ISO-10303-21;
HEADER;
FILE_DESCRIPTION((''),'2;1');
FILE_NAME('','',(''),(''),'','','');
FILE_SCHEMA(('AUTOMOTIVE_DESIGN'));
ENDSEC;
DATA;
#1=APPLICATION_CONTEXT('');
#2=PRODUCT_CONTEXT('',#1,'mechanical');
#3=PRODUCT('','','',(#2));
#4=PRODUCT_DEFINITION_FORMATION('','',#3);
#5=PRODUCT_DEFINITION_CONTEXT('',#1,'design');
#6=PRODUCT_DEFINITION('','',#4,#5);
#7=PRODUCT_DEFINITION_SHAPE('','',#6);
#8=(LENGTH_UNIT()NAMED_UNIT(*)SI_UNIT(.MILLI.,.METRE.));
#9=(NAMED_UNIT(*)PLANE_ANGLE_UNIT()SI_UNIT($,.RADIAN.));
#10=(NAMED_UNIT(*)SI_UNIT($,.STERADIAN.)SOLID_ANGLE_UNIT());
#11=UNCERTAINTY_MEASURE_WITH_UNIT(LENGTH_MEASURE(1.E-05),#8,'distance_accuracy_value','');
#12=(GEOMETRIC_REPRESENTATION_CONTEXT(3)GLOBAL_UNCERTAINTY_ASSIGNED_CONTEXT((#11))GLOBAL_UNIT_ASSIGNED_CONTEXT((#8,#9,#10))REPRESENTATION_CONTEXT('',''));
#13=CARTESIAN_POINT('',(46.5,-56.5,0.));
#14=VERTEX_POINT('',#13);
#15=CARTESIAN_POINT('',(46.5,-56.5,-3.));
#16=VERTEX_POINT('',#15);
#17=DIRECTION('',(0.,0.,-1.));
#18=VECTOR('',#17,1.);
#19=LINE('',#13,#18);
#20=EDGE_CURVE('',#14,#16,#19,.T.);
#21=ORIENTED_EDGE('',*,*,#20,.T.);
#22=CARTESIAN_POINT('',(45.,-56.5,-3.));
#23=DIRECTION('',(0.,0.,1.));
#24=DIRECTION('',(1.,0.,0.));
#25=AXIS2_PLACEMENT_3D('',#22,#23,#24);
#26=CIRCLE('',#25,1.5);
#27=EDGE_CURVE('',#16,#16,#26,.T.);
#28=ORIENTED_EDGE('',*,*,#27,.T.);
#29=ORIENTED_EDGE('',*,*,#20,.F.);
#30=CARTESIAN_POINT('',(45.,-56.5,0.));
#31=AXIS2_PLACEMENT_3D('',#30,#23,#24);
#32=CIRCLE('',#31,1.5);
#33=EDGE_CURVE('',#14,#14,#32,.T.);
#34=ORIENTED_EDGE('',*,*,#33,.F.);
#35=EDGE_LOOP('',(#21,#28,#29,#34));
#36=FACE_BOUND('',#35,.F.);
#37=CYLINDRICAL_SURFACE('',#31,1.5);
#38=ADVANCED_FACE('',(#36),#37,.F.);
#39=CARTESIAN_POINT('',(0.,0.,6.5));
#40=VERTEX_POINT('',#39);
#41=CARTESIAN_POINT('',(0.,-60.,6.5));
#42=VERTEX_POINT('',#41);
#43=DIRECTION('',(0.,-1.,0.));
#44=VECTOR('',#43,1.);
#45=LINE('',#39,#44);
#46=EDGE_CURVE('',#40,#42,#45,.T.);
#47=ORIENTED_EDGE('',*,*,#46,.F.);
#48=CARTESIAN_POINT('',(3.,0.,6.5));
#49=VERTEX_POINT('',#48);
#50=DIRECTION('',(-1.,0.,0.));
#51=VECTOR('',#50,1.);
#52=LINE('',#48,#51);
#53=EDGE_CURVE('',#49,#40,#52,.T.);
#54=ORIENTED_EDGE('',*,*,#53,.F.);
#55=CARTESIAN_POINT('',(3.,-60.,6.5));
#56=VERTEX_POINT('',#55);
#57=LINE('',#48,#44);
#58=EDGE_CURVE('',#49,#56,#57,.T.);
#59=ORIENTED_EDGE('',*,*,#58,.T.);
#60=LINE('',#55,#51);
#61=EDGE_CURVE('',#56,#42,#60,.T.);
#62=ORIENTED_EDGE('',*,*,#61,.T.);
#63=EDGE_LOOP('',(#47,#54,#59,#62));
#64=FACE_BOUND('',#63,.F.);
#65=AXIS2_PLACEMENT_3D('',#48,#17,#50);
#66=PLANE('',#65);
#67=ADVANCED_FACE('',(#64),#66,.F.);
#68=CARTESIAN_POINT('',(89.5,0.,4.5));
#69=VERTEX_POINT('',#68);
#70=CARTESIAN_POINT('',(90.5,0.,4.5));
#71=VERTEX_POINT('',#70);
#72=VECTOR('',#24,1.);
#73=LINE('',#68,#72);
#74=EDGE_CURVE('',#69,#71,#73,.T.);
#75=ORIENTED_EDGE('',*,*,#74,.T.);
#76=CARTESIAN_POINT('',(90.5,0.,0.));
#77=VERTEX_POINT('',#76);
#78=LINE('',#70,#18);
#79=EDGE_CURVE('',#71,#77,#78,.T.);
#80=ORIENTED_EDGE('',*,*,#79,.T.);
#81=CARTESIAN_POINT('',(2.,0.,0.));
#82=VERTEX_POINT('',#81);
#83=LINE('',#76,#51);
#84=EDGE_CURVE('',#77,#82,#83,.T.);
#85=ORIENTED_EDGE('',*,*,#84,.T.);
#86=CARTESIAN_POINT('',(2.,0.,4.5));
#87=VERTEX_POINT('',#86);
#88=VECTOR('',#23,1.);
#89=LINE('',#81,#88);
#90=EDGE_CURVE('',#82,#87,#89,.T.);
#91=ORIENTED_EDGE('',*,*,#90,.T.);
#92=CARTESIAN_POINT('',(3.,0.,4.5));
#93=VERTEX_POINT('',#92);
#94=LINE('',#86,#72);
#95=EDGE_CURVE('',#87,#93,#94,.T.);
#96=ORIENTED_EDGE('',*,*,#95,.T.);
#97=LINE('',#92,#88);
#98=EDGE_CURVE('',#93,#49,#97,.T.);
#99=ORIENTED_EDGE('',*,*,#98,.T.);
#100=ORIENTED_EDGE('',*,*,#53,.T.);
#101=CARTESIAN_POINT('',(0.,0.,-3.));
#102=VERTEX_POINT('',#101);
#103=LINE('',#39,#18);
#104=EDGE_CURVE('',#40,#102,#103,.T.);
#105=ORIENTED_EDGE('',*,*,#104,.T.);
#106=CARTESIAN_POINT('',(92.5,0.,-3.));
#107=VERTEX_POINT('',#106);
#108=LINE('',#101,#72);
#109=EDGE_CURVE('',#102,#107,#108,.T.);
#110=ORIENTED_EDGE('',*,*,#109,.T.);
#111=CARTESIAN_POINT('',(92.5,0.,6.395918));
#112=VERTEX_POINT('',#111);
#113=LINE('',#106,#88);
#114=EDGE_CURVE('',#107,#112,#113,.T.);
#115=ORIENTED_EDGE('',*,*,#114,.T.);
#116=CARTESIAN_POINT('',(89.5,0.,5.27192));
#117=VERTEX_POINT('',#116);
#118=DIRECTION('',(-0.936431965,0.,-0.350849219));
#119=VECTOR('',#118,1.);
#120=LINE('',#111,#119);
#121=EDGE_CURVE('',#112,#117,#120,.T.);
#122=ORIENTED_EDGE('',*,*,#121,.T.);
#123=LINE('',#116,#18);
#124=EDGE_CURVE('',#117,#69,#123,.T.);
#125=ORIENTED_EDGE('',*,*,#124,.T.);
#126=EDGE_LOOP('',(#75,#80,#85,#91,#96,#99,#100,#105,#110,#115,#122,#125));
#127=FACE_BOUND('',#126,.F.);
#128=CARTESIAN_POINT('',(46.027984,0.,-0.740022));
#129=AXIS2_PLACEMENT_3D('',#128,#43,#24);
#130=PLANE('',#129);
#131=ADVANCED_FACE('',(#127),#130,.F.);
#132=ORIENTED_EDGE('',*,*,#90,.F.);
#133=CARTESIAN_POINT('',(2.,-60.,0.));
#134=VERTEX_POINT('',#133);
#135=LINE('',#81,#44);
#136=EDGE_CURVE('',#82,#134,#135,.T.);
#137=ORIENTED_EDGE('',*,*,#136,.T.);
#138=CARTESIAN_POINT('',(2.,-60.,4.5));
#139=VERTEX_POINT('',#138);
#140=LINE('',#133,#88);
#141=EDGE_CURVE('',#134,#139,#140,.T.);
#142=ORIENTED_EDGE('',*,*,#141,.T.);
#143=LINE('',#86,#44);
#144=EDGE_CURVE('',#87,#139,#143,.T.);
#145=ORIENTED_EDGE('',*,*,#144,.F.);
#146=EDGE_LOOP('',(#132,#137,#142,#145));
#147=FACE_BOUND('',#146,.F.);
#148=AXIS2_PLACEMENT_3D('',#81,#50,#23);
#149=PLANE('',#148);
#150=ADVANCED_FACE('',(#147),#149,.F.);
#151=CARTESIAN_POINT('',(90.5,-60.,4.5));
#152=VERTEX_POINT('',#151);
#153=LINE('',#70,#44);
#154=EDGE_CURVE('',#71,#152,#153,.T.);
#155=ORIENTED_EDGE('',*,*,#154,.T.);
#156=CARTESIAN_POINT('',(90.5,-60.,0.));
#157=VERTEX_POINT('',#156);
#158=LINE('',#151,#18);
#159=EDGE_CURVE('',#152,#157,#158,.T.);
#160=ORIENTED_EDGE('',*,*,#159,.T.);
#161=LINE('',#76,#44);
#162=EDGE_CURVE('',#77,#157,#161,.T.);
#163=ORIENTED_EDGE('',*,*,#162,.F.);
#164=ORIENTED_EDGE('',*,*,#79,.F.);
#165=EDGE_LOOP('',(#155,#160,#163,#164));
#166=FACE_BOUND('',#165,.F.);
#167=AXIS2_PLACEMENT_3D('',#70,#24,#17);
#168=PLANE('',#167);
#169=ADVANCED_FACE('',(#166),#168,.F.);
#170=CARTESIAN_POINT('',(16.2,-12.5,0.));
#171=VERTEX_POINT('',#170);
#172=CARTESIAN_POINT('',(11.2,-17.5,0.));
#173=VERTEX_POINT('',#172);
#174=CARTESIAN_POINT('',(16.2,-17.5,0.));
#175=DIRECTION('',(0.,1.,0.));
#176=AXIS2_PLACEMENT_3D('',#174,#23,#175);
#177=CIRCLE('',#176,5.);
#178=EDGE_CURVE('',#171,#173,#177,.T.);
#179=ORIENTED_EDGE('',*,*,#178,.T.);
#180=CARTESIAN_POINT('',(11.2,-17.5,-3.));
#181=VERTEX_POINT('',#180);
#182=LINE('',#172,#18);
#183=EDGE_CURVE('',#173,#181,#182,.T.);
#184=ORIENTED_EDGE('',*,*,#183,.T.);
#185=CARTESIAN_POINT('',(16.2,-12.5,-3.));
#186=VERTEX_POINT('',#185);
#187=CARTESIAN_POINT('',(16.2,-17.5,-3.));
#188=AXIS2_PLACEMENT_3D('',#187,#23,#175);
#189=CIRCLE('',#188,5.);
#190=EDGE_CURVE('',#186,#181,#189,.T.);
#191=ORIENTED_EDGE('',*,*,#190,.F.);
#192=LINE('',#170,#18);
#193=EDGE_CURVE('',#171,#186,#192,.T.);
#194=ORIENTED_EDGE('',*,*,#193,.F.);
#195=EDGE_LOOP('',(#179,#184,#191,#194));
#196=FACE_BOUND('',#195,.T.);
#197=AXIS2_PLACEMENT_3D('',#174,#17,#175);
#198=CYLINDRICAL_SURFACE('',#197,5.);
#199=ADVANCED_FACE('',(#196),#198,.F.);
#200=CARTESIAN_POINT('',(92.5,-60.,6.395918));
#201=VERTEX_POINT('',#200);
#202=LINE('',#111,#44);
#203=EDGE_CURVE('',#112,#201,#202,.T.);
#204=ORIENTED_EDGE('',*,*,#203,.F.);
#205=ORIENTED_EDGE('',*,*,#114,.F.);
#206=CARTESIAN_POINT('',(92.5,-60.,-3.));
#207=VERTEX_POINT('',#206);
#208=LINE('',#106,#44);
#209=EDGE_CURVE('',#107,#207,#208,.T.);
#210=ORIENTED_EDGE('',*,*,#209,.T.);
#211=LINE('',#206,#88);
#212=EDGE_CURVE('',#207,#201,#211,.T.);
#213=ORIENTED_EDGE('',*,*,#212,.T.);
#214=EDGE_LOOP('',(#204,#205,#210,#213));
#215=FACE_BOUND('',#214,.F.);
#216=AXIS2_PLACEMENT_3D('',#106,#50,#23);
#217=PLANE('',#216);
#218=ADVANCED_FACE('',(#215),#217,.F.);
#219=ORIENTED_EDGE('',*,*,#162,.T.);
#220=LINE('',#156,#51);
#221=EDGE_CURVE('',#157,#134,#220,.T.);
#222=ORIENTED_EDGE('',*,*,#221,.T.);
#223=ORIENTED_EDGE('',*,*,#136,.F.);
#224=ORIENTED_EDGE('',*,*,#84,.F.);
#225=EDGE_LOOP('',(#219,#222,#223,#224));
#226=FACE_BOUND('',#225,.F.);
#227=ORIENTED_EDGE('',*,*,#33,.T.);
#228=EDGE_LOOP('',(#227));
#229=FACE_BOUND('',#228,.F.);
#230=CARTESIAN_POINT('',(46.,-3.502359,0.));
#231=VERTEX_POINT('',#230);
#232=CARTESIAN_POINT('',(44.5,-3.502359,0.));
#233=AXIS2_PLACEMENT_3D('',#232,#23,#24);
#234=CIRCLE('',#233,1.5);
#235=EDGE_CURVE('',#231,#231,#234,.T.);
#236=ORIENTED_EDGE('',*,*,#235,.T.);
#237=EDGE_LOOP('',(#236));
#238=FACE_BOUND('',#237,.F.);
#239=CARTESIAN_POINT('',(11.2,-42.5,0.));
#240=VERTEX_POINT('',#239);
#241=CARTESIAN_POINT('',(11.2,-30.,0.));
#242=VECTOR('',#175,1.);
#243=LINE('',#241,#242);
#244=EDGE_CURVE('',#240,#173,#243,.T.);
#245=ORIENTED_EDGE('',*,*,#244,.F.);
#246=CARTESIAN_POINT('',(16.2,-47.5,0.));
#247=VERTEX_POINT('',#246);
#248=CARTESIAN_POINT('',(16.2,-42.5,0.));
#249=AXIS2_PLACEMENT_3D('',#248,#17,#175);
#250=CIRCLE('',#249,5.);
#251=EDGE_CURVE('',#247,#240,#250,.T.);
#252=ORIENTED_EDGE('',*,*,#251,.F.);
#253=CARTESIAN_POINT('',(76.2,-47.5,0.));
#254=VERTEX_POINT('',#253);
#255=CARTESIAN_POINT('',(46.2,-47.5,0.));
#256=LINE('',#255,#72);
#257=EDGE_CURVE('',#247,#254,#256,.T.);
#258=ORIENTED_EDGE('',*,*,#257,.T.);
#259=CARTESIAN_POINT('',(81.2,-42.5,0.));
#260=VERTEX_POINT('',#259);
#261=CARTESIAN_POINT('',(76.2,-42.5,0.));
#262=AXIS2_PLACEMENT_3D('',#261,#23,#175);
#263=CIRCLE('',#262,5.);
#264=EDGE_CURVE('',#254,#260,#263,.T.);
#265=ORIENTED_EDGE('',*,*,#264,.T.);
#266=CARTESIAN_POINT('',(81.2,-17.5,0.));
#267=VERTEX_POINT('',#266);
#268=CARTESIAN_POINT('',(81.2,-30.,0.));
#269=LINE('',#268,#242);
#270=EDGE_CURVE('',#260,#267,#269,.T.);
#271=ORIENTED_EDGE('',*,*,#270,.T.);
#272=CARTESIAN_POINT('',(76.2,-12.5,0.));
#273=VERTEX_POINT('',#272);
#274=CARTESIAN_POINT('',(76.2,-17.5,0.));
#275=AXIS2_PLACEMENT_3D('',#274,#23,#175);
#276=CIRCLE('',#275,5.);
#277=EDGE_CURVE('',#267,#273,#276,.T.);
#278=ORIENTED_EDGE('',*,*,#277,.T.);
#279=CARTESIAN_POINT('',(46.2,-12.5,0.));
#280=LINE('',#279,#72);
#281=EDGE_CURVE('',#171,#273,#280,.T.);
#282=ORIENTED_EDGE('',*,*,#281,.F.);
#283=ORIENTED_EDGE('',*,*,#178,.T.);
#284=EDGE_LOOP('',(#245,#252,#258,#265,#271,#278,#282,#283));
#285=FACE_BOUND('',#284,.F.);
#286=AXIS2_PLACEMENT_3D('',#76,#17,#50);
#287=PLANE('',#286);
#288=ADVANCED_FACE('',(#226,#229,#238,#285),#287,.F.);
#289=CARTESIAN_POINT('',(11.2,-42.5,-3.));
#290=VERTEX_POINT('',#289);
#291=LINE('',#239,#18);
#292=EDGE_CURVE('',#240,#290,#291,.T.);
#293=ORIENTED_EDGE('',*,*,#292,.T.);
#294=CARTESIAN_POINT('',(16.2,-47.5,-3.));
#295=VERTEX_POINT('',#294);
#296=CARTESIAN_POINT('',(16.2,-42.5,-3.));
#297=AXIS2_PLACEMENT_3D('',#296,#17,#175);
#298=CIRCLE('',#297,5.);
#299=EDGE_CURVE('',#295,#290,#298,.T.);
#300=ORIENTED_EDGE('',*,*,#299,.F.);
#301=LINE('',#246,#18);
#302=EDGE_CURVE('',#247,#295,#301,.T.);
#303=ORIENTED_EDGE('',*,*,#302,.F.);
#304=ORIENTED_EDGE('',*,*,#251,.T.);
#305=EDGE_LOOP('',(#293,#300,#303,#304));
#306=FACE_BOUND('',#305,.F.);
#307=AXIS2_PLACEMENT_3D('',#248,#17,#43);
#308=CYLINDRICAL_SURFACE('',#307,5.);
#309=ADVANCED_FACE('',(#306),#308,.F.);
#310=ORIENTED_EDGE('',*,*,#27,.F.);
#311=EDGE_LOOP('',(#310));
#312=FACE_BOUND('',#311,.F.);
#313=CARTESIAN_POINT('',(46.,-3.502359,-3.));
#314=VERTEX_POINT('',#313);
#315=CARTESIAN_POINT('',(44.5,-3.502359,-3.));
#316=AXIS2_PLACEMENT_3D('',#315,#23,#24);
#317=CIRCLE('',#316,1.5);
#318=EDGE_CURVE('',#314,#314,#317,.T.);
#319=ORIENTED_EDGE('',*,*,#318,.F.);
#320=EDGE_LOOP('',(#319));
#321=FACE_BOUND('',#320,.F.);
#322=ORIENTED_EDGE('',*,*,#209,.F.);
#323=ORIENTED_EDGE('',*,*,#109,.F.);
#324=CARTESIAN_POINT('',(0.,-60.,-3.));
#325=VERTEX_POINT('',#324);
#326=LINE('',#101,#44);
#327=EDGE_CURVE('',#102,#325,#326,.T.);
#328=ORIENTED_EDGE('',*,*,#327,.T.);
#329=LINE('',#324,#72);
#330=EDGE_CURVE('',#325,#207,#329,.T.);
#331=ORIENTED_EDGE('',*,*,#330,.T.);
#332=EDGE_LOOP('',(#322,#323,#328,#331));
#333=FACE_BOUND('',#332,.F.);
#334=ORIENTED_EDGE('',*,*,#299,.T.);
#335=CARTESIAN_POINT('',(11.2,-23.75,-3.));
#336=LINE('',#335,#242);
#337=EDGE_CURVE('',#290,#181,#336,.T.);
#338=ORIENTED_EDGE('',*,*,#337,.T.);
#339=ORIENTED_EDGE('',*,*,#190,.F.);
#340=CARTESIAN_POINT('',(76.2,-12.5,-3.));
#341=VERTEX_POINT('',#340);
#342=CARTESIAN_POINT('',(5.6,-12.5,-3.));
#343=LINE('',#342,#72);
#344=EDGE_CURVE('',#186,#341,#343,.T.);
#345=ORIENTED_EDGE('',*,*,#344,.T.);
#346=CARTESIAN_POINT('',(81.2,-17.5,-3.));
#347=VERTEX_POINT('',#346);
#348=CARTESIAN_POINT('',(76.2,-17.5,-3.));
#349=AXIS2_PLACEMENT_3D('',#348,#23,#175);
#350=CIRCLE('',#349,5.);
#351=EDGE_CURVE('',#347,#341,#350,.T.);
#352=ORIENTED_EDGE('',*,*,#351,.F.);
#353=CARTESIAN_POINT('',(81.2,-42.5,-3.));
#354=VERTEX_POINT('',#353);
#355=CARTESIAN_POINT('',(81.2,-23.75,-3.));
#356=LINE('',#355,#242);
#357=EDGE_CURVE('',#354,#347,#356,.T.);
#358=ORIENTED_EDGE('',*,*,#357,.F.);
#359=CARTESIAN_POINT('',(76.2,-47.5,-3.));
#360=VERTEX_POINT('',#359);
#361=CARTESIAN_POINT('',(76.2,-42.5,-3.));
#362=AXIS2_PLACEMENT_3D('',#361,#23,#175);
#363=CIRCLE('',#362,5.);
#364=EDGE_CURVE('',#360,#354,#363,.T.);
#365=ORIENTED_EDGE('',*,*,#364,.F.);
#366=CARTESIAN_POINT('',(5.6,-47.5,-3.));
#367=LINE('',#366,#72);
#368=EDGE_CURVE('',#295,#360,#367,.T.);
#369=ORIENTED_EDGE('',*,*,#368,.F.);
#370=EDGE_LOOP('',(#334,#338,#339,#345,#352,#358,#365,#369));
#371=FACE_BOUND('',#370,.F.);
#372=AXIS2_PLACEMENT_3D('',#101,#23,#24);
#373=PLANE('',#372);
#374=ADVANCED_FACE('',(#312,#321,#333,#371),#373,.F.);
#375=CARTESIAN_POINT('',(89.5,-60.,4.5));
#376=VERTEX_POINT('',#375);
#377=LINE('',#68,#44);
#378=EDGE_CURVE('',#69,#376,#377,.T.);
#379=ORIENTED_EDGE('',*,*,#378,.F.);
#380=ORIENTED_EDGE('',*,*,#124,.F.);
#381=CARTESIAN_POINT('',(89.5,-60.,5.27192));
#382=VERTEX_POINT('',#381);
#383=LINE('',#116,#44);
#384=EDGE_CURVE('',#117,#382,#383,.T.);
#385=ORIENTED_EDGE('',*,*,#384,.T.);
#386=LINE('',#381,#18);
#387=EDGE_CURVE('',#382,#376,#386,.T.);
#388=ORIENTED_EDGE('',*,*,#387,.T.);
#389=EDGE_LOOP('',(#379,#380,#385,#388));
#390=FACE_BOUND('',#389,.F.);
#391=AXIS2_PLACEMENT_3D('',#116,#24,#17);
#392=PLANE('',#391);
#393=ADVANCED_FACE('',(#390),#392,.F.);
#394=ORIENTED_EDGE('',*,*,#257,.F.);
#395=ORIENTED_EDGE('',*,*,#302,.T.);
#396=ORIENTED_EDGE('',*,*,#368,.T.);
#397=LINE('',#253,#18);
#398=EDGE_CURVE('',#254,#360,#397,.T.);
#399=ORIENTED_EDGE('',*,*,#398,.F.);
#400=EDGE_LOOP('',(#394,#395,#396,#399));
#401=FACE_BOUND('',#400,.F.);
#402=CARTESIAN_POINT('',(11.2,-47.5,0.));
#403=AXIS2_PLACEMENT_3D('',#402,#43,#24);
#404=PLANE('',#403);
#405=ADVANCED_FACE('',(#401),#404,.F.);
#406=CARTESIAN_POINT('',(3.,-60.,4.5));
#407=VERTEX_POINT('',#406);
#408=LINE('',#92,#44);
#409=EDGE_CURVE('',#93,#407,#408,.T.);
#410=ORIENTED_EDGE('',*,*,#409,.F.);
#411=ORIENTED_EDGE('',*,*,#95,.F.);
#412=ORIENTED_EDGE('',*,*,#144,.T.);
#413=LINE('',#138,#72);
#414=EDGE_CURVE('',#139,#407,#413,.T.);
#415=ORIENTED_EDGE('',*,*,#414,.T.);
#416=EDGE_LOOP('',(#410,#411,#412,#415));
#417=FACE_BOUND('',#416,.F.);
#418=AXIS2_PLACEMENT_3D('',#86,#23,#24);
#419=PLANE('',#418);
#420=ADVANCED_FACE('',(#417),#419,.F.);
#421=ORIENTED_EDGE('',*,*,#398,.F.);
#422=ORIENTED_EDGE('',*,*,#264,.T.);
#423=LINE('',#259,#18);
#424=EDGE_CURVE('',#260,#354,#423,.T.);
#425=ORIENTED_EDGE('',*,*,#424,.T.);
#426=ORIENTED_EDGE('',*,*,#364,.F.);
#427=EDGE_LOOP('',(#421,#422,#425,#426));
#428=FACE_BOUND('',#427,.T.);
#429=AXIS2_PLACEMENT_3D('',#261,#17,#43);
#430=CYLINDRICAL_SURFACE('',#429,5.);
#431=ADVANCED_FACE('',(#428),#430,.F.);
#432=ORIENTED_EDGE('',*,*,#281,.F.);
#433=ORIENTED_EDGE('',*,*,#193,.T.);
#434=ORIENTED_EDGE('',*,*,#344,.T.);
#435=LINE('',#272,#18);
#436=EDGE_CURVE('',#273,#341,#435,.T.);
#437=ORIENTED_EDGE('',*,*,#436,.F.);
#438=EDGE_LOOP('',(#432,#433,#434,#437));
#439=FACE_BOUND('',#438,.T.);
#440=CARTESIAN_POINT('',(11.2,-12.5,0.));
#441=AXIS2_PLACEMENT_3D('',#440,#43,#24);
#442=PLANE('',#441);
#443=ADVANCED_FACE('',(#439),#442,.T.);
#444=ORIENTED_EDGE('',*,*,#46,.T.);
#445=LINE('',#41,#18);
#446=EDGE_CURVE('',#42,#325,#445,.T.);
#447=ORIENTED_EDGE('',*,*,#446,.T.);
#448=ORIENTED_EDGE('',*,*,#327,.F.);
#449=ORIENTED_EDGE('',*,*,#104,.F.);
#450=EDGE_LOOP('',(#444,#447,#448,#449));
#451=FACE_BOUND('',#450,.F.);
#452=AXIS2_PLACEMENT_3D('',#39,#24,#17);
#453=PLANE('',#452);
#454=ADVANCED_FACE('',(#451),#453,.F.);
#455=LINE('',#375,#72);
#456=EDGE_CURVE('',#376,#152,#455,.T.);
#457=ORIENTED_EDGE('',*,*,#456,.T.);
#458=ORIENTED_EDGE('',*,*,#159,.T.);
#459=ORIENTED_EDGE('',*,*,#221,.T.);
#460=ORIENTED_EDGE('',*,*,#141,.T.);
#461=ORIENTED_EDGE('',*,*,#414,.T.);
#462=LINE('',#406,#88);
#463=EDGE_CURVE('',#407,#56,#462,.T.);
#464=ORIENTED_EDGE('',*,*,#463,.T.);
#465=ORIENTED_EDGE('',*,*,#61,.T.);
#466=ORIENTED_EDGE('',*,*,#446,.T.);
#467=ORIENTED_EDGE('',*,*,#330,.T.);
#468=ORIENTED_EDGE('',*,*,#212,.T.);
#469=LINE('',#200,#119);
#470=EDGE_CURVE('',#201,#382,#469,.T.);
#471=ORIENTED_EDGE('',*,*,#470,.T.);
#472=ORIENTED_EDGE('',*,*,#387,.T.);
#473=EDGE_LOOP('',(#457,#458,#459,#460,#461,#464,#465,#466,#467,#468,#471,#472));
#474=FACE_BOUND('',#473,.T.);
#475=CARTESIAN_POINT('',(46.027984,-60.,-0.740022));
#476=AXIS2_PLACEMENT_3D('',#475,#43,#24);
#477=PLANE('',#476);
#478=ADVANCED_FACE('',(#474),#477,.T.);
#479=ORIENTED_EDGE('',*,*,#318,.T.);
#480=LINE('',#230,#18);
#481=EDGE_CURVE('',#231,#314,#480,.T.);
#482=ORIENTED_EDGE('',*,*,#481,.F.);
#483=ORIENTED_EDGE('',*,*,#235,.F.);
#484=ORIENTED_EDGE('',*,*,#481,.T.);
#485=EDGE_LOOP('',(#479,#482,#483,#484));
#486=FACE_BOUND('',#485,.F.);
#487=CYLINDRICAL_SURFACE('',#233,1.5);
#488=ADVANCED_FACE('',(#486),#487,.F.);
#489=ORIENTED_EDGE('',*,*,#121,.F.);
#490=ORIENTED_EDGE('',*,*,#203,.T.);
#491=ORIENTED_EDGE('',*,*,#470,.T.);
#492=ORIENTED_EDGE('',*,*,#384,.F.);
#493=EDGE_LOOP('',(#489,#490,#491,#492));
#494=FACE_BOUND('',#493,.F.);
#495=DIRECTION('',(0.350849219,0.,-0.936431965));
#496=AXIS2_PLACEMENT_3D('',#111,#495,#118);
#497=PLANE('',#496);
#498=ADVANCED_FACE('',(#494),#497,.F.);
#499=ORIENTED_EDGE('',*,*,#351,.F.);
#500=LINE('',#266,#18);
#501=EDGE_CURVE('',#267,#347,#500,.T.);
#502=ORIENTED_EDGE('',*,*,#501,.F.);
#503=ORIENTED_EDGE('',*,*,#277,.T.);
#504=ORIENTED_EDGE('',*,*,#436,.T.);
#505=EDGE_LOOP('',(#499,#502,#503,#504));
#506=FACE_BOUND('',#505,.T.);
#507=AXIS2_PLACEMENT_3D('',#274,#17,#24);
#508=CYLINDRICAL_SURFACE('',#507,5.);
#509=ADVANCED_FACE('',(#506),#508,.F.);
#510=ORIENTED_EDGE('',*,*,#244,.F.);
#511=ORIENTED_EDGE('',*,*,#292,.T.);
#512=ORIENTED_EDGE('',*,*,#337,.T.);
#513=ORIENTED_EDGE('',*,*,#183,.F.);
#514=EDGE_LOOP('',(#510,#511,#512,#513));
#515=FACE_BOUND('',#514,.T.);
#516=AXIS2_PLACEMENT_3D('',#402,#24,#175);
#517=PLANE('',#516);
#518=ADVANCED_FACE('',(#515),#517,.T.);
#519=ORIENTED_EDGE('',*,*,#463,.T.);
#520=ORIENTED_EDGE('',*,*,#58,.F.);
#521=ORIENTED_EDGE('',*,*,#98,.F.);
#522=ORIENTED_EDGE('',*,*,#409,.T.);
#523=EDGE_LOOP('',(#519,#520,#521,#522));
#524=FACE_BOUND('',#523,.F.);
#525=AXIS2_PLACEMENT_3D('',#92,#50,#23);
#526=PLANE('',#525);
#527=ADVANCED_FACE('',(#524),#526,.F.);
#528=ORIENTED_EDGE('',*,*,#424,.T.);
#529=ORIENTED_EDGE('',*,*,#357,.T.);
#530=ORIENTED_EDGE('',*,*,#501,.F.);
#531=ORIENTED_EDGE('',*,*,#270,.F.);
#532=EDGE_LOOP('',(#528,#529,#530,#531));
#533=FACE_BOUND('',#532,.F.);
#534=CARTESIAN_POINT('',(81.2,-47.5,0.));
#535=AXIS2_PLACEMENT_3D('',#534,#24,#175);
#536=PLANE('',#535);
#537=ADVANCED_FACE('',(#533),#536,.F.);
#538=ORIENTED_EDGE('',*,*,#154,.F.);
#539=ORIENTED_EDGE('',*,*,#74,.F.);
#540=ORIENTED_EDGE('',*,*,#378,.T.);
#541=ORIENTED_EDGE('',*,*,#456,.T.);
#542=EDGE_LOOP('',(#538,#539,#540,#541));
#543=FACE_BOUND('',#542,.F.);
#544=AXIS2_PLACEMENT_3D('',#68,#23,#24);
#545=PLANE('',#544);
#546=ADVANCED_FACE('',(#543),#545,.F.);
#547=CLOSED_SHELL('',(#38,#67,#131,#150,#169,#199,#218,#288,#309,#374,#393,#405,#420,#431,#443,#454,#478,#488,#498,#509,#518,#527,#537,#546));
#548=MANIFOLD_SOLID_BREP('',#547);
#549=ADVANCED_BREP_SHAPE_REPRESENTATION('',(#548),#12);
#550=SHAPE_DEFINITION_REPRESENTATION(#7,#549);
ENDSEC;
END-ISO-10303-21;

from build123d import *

# Parameters (mm, degrees)
F1_DEPTH = 60
F2_R     = 1.5
F3_DEPTH = 25
F4_W     = 70
F4_H     = 35
F5_DEPTH = 25
F6_R     = 5


with BuildPart() as f1:
    # F0 (on Front) → F1 (new body)
    with BuildSketch(Plane.XZ):
        Polygon((0, 6.5), (0, 0), (0, -3), (3, -3), (92.5, -3), (92.5, 0), (92.5, 6.395918), (89.5, 5.27192), (89.5, 4.5), (90.5, 4.5), (90.5, 0), (2, 0), (2, 4.5), (3, 4.5), (3, 6.5), align=None)
    extrude(amount=F1_DEPTH)

    # F2 (on face) → F3 (cut)
    with BuildSketch(Plane.XY):
        with Locations((45, -56.5)):
            Circle(F2_R)
        with Locations((44.5, -3.502359)):
            Circle(F2_R)
    extrude(amount=-F3_DEPTH, mode=Mode.SUBTRACT)

    # F4 (on face) → F5 (cut)
    with BuildSketch(Plane.XY):
        with Locations((46.2, -30)):
            Rectangle(F4_W, F4_H)
    extrude(amount=-F5_DEPTH, mode=Mode.SUBTRACT)

    # F6
    f6_edges = [f1.edges().sort_by_distance(p)[0] for p in [
        (11.2, -12.5, -1.5),
        (81.2, -47.5, -1.5),
        (81.2, -12.5, -1.5),
        (11.2, -47.5, -1.5),
    ]]
    fillet(f6_edges, radius=F6_R)


solid = f1.part
